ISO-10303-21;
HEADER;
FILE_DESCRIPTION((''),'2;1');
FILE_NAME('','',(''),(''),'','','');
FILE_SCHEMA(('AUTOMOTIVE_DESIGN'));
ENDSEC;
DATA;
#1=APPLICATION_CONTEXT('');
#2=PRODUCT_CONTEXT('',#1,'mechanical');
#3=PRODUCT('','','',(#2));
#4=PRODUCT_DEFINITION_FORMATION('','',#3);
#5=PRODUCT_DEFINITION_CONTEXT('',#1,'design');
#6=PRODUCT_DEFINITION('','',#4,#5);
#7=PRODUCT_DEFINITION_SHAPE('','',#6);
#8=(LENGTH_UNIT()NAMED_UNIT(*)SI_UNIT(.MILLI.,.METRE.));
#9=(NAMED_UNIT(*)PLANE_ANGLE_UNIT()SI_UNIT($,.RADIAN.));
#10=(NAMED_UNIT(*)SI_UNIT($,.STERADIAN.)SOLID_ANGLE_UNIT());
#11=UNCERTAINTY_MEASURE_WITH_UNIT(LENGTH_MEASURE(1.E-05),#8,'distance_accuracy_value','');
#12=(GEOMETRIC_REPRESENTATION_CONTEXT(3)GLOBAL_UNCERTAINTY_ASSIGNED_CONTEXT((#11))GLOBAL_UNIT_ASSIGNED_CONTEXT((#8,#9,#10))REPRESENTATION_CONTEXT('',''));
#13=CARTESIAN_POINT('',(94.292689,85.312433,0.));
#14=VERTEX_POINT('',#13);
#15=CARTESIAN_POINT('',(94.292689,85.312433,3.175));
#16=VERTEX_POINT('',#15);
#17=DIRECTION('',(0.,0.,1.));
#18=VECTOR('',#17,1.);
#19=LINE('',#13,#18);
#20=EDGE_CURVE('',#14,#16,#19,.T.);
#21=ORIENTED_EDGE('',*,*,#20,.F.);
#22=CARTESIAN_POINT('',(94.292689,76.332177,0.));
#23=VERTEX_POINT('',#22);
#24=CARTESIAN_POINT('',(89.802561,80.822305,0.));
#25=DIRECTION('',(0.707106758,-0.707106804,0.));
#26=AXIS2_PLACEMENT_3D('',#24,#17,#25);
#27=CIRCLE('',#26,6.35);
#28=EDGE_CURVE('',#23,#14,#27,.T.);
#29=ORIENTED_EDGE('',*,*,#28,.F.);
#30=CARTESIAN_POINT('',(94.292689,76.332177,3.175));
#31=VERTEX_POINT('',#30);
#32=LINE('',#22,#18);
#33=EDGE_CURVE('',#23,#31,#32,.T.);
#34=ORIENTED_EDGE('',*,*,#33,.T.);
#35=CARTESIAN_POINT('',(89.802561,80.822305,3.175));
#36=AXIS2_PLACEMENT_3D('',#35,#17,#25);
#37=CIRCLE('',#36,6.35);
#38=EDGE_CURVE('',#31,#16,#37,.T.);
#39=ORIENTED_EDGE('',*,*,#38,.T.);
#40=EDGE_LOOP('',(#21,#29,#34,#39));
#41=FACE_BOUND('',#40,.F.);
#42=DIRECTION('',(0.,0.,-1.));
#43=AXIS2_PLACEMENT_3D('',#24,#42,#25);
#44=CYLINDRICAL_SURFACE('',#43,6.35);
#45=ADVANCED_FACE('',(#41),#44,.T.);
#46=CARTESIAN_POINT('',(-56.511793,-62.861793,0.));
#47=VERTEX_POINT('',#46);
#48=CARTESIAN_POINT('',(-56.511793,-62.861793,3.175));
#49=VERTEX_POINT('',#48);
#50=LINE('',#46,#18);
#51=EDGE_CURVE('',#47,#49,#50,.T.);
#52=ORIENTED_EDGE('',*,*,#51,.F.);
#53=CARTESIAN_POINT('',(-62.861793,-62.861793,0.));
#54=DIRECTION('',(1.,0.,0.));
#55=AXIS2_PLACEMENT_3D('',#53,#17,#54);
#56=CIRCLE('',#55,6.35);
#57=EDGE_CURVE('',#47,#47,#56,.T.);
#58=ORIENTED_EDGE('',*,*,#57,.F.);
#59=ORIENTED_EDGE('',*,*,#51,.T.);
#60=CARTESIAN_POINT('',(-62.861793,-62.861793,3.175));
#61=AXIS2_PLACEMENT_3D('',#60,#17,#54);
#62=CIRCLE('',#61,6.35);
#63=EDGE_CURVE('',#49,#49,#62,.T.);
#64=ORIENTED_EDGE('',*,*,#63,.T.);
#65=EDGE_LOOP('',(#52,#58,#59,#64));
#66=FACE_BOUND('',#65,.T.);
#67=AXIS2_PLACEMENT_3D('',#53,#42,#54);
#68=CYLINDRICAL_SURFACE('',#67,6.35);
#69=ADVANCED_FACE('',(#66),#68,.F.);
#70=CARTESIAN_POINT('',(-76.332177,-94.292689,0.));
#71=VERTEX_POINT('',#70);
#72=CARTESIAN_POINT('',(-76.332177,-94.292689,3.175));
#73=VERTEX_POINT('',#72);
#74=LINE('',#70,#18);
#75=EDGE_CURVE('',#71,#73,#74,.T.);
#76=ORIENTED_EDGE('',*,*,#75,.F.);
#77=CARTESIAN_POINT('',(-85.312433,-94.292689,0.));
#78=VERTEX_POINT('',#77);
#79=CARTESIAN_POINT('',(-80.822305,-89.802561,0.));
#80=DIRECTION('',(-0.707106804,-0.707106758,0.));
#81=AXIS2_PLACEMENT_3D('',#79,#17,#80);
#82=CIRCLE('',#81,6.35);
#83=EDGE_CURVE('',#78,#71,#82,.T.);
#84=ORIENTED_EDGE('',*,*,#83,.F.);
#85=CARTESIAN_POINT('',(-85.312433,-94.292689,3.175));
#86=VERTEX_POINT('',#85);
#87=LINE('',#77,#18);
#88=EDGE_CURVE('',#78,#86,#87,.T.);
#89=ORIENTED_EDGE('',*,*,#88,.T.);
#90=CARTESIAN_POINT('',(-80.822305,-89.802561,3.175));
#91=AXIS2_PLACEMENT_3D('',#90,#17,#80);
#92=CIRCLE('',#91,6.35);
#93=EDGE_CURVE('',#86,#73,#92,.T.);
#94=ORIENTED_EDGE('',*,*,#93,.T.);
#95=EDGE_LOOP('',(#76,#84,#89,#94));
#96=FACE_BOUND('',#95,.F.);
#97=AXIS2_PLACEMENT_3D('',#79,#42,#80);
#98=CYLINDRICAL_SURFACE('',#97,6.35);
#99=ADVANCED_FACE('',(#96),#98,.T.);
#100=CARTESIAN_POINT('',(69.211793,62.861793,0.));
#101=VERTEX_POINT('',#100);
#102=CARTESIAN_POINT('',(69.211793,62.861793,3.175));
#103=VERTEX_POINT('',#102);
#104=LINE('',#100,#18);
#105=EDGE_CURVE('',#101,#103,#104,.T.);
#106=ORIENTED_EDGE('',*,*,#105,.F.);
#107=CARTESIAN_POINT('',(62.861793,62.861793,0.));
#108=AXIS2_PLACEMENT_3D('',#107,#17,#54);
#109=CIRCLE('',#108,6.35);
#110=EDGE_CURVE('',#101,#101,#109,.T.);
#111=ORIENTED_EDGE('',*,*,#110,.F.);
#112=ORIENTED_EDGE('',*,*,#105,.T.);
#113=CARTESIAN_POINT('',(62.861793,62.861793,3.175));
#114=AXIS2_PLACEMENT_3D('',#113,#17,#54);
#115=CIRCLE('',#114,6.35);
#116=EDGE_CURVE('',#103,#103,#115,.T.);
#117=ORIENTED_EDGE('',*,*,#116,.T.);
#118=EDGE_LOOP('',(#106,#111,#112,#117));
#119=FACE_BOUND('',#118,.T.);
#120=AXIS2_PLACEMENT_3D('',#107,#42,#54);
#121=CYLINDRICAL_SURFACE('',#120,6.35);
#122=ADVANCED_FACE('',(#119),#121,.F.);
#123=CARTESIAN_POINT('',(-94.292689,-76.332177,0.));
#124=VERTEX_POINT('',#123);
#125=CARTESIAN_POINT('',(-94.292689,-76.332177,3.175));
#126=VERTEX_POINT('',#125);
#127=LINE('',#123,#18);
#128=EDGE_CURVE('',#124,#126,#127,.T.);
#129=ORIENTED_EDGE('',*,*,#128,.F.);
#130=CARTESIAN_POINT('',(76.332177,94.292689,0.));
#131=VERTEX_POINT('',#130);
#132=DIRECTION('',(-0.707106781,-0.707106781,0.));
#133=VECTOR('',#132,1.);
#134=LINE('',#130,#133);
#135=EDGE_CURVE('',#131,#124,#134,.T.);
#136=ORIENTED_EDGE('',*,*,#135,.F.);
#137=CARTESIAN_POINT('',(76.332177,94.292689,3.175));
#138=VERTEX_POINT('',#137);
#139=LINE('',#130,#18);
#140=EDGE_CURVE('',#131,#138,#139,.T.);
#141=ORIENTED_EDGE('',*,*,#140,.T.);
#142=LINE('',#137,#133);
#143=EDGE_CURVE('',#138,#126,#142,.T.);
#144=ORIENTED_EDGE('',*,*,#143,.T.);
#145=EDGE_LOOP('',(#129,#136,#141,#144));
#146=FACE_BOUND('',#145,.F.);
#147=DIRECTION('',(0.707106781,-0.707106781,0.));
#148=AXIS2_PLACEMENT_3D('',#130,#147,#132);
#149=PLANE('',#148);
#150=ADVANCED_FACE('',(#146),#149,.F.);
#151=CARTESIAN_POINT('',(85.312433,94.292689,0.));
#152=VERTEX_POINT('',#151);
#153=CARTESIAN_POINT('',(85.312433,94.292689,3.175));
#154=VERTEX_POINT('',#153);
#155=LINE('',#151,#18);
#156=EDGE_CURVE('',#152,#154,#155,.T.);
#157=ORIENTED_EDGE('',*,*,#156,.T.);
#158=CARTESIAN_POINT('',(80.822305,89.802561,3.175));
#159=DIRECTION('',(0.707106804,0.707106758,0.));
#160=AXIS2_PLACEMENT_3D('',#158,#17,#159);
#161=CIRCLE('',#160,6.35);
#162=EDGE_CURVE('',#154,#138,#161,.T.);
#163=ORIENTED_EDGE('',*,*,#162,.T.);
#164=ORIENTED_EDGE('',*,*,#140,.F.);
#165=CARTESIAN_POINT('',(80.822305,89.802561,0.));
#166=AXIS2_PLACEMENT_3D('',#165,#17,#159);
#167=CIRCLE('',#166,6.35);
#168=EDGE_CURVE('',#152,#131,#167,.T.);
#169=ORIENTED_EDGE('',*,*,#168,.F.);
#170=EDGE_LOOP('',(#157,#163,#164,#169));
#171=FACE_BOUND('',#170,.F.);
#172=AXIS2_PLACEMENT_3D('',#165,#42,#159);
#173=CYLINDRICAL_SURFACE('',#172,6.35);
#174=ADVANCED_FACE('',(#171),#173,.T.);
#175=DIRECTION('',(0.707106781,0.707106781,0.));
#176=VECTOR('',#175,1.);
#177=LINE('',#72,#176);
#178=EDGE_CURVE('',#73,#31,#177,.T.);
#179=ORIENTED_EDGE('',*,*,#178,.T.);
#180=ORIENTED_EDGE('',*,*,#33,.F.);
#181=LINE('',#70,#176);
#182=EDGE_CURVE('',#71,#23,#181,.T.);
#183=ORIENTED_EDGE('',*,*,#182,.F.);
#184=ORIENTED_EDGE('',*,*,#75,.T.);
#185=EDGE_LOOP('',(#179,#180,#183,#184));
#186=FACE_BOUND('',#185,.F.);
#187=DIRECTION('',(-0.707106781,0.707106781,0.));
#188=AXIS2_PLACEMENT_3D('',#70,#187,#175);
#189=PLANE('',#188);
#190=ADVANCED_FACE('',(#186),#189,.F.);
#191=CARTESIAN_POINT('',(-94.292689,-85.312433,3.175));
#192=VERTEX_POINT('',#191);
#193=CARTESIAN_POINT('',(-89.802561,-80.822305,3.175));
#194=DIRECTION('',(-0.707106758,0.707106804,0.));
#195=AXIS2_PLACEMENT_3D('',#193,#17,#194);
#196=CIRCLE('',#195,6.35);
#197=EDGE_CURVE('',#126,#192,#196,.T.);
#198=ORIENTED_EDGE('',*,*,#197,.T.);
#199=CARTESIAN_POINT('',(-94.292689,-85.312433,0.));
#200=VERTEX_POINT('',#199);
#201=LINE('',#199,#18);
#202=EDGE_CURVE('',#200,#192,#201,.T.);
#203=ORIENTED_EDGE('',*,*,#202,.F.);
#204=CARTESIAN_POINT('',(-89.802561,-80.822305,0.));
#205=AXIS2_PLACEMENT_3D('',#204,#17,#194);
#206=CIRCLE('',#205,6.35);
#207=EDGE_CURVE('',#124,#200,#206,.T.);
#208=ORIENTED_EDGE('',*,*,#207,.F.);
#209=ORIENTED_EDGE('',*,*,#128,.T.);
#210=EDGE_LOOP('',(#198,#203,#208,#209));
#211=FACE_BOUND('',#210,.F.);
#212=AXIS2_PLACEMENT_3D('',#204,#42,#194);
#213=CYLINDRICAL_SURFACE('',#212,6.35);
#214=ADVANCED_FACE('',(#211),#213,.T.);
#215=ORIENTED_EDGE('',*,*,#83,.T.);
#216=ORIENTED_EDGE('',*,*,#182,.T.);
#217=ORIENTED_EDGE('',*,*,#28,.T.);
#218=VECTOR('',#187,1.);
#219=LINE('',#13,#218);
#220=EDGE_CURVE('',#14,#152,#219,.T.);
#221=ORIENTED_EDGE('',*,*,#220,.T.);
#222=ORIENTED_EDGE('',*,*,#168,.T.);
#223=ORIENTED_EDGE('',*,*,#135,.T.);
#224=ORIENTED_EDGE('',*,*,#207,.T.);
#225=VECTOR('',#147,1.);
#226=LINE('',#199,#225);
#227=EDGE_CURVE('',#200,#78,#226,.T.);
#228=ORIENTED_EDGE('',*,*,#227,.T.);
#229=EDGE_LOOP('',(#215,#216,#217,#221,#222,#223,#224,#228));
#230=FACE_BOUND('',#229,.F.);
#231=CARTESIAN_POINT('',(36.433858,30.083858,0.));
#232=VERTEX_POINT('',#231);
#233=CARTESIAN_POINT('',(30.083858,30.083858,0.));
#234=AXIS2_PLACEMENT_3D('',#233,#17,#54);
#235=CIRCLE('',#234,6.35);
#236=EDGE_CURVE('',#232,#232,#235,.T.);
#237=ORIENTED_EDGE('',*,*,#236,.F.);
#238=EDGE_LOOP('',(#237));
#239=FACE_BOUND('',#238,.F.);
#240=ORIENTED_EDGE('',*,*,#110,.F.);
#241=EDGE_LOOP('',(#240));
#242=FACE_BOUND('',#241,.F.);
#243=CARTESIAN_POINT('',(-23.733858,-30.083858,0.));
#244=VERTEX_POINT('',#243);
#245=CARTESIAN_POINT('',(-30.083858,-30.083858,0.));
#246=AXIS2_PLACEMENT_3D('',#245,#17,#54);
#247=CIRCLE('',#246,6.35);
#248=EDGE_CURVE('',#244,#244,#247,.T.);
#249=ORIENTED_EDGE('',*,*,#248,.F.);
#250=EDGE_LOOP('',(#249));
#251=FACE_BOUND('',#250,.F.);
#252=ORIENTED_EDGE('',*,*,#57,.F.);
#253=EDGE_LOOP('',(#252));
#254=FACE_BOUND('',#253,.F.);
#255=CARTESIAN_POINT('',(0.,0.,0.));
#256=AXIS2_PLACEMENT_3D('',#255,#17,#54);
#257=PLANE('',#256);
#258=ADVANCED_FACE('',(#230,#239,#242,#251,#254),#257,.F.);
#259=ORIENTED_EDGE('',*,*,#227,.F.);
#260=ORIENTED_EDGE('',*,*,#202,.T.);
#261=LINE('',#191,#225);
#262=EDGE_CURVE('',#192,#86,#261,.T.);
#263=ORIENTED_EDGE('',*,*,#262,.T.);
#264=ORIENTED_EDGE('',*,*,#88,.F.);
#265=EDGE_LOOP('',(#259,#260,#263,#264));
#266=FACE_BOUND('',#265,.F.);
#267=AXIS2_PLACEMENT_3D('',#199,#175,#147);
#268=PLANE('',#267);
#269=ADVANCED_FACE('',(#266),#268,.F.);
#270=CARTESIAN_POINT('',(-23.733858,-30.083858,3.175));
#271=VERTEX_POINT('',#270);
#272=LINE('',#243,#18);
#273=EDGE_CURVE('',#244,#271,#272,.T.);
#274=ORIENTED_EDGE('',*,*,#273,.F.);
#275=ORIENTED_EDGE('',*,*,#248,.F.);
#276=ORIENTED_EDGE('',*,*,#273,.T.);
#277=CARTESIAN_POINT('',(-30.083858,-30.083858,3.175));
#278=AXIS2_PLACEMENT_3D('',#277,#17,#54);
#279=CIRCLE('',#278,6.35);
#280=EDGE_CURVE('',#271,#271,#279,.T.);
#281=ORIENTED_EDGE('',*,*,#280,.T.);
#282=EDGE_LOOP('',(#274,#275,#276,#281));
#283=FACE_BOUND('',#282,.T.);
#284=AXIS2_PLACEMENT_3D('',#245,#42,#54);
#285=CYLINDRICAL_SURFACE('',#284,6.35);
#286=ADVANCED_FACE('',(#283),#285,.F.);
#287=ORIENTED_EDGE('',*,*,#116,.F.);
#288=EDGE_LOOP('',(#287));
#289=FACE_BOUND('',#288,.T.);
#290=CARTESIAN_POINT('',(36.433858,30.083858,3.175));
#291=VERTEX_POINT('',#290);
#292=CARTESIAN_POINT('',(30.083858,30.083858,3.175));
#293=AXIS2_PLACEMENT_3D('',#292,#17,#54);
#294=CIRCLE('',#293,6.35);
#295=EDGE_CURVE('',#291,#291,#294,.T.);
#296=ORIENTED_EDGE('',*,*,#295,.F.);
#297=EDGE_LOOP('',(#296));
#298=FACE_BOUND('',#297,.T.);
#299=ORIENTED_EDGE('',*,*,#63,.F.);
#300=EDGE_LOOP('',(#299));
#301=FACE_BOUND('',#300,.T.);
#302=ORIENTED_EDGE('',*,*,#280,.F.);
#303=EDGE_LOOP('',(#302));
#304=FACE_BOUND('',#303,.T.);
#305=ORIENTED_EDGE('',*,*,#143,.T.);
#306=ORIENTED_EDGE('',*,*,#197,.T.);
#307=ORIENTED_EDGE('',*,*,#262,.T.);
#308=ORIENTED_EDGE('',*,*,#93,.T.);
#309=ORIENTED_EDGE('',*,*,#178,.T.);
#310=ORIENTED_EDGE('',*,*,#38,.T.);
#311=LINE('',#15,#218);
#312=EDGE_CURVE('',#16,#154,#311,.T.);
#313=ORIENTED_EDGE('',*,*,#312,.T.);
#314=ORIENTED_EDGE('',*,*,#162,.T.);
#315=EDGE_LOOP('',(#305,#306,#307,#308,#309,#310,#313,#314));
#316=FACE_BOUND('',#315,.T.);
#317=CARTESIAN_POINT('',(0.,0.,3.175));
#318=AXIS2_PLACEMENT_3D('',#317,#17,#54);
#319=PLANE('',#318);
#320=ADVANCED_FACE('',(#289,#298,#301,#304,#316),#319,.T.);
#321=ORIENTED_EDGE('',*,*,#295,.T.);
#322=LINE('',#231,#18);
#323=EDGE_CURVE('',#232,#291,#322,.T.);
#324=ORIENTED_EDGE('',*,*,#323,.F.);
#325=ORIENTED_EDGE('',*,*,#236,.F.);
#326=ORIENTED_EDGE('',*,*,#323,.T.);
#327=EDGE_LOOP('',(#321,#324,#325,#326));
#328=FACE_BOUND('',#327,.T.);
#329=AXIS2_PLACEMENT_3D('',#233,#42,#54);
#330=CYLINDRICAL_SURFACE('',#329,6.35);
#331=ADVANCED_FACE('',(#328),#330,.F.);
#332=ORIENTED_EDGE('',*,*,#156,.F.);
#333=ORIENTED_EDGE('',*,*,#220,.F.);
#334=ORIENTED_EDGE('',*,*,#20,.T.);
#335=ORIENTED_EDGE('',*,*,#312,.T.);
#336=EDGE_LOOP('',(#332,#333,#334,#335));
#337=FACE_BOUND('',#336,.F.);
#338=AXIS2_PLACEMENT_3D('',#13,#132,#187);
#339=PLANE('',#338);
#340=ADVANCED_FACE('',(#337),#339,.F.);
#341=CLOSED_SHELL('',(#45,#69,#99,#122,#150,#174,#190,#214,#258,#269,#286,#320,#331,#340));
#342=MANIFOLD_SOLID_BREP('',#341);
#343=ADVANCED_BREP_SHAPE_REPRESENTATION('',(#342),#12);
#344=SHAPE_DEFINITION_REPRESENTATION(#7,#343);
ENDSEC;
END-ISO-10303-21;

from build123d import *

# Parameters (mm, degrees)
F0_R     = 6.35
F1_DEPTH = 3.175


with BuildPart() as f1:
    # F0 (on Top) → F1 (new body)
    with BuildSketch(Plane.XY):
        with BuildLine():
            Line((76.332177, 94.292689), (-8.980256, 8.980256))
            Line((-8.980256, 8.980256), (-94.292689, -76.332177))
            ThreePointArc((-94.292689, -76.332177), (-96.152561, -80.822305), (-94.292689, -85.312433))
            Line((-94.292689, -85.312433), (-89.802561, -89.802561))
            Line((-89.802561, -89.802561), (-85.312433, -94.292689))
            ThreePointArc((-85.312433, -94.292689), (-80.822305, -96.152561), (-76.332177, -94.292689))
            Line((-76.332177, -94.292689), (8.980256, -8.980256))
            Line((8.980256, -8.980256), (94.292689, 76.332177))
            ThreePointArc((94.292689, 76.332177), (96.152561, 80.822305), (94.292689, 85.312433))
            Line((94.292689, 85.312433), (89.802561, 89.802561))
            Line((89.802561, 89.802561), (85.312433, 94.292689))
            ThreePointArc((85.312433, 94.292689), (80.822305, 96.152561), (76.332177, 94.292689))
        make_face()
        with Locations((-62.861793, -62.861793)):
            Circle(F0_R, mode=Mode.SUBTRACT)
        with Locations((-30.083858, -30.083858)):
            Circle(F0_R, mode=Mode.SUBTRACT)
        with Locations((30.083858, 30.083858)):
            Circle(F0_R, mode=Mode.SUBTRACT)
        with Locations((62.861793, 62.861793)):
            Circle(F0_R, mode=Mode.SUBTRACT)
    extrude(amount=F1_DEPTH)


solid = f1.part
